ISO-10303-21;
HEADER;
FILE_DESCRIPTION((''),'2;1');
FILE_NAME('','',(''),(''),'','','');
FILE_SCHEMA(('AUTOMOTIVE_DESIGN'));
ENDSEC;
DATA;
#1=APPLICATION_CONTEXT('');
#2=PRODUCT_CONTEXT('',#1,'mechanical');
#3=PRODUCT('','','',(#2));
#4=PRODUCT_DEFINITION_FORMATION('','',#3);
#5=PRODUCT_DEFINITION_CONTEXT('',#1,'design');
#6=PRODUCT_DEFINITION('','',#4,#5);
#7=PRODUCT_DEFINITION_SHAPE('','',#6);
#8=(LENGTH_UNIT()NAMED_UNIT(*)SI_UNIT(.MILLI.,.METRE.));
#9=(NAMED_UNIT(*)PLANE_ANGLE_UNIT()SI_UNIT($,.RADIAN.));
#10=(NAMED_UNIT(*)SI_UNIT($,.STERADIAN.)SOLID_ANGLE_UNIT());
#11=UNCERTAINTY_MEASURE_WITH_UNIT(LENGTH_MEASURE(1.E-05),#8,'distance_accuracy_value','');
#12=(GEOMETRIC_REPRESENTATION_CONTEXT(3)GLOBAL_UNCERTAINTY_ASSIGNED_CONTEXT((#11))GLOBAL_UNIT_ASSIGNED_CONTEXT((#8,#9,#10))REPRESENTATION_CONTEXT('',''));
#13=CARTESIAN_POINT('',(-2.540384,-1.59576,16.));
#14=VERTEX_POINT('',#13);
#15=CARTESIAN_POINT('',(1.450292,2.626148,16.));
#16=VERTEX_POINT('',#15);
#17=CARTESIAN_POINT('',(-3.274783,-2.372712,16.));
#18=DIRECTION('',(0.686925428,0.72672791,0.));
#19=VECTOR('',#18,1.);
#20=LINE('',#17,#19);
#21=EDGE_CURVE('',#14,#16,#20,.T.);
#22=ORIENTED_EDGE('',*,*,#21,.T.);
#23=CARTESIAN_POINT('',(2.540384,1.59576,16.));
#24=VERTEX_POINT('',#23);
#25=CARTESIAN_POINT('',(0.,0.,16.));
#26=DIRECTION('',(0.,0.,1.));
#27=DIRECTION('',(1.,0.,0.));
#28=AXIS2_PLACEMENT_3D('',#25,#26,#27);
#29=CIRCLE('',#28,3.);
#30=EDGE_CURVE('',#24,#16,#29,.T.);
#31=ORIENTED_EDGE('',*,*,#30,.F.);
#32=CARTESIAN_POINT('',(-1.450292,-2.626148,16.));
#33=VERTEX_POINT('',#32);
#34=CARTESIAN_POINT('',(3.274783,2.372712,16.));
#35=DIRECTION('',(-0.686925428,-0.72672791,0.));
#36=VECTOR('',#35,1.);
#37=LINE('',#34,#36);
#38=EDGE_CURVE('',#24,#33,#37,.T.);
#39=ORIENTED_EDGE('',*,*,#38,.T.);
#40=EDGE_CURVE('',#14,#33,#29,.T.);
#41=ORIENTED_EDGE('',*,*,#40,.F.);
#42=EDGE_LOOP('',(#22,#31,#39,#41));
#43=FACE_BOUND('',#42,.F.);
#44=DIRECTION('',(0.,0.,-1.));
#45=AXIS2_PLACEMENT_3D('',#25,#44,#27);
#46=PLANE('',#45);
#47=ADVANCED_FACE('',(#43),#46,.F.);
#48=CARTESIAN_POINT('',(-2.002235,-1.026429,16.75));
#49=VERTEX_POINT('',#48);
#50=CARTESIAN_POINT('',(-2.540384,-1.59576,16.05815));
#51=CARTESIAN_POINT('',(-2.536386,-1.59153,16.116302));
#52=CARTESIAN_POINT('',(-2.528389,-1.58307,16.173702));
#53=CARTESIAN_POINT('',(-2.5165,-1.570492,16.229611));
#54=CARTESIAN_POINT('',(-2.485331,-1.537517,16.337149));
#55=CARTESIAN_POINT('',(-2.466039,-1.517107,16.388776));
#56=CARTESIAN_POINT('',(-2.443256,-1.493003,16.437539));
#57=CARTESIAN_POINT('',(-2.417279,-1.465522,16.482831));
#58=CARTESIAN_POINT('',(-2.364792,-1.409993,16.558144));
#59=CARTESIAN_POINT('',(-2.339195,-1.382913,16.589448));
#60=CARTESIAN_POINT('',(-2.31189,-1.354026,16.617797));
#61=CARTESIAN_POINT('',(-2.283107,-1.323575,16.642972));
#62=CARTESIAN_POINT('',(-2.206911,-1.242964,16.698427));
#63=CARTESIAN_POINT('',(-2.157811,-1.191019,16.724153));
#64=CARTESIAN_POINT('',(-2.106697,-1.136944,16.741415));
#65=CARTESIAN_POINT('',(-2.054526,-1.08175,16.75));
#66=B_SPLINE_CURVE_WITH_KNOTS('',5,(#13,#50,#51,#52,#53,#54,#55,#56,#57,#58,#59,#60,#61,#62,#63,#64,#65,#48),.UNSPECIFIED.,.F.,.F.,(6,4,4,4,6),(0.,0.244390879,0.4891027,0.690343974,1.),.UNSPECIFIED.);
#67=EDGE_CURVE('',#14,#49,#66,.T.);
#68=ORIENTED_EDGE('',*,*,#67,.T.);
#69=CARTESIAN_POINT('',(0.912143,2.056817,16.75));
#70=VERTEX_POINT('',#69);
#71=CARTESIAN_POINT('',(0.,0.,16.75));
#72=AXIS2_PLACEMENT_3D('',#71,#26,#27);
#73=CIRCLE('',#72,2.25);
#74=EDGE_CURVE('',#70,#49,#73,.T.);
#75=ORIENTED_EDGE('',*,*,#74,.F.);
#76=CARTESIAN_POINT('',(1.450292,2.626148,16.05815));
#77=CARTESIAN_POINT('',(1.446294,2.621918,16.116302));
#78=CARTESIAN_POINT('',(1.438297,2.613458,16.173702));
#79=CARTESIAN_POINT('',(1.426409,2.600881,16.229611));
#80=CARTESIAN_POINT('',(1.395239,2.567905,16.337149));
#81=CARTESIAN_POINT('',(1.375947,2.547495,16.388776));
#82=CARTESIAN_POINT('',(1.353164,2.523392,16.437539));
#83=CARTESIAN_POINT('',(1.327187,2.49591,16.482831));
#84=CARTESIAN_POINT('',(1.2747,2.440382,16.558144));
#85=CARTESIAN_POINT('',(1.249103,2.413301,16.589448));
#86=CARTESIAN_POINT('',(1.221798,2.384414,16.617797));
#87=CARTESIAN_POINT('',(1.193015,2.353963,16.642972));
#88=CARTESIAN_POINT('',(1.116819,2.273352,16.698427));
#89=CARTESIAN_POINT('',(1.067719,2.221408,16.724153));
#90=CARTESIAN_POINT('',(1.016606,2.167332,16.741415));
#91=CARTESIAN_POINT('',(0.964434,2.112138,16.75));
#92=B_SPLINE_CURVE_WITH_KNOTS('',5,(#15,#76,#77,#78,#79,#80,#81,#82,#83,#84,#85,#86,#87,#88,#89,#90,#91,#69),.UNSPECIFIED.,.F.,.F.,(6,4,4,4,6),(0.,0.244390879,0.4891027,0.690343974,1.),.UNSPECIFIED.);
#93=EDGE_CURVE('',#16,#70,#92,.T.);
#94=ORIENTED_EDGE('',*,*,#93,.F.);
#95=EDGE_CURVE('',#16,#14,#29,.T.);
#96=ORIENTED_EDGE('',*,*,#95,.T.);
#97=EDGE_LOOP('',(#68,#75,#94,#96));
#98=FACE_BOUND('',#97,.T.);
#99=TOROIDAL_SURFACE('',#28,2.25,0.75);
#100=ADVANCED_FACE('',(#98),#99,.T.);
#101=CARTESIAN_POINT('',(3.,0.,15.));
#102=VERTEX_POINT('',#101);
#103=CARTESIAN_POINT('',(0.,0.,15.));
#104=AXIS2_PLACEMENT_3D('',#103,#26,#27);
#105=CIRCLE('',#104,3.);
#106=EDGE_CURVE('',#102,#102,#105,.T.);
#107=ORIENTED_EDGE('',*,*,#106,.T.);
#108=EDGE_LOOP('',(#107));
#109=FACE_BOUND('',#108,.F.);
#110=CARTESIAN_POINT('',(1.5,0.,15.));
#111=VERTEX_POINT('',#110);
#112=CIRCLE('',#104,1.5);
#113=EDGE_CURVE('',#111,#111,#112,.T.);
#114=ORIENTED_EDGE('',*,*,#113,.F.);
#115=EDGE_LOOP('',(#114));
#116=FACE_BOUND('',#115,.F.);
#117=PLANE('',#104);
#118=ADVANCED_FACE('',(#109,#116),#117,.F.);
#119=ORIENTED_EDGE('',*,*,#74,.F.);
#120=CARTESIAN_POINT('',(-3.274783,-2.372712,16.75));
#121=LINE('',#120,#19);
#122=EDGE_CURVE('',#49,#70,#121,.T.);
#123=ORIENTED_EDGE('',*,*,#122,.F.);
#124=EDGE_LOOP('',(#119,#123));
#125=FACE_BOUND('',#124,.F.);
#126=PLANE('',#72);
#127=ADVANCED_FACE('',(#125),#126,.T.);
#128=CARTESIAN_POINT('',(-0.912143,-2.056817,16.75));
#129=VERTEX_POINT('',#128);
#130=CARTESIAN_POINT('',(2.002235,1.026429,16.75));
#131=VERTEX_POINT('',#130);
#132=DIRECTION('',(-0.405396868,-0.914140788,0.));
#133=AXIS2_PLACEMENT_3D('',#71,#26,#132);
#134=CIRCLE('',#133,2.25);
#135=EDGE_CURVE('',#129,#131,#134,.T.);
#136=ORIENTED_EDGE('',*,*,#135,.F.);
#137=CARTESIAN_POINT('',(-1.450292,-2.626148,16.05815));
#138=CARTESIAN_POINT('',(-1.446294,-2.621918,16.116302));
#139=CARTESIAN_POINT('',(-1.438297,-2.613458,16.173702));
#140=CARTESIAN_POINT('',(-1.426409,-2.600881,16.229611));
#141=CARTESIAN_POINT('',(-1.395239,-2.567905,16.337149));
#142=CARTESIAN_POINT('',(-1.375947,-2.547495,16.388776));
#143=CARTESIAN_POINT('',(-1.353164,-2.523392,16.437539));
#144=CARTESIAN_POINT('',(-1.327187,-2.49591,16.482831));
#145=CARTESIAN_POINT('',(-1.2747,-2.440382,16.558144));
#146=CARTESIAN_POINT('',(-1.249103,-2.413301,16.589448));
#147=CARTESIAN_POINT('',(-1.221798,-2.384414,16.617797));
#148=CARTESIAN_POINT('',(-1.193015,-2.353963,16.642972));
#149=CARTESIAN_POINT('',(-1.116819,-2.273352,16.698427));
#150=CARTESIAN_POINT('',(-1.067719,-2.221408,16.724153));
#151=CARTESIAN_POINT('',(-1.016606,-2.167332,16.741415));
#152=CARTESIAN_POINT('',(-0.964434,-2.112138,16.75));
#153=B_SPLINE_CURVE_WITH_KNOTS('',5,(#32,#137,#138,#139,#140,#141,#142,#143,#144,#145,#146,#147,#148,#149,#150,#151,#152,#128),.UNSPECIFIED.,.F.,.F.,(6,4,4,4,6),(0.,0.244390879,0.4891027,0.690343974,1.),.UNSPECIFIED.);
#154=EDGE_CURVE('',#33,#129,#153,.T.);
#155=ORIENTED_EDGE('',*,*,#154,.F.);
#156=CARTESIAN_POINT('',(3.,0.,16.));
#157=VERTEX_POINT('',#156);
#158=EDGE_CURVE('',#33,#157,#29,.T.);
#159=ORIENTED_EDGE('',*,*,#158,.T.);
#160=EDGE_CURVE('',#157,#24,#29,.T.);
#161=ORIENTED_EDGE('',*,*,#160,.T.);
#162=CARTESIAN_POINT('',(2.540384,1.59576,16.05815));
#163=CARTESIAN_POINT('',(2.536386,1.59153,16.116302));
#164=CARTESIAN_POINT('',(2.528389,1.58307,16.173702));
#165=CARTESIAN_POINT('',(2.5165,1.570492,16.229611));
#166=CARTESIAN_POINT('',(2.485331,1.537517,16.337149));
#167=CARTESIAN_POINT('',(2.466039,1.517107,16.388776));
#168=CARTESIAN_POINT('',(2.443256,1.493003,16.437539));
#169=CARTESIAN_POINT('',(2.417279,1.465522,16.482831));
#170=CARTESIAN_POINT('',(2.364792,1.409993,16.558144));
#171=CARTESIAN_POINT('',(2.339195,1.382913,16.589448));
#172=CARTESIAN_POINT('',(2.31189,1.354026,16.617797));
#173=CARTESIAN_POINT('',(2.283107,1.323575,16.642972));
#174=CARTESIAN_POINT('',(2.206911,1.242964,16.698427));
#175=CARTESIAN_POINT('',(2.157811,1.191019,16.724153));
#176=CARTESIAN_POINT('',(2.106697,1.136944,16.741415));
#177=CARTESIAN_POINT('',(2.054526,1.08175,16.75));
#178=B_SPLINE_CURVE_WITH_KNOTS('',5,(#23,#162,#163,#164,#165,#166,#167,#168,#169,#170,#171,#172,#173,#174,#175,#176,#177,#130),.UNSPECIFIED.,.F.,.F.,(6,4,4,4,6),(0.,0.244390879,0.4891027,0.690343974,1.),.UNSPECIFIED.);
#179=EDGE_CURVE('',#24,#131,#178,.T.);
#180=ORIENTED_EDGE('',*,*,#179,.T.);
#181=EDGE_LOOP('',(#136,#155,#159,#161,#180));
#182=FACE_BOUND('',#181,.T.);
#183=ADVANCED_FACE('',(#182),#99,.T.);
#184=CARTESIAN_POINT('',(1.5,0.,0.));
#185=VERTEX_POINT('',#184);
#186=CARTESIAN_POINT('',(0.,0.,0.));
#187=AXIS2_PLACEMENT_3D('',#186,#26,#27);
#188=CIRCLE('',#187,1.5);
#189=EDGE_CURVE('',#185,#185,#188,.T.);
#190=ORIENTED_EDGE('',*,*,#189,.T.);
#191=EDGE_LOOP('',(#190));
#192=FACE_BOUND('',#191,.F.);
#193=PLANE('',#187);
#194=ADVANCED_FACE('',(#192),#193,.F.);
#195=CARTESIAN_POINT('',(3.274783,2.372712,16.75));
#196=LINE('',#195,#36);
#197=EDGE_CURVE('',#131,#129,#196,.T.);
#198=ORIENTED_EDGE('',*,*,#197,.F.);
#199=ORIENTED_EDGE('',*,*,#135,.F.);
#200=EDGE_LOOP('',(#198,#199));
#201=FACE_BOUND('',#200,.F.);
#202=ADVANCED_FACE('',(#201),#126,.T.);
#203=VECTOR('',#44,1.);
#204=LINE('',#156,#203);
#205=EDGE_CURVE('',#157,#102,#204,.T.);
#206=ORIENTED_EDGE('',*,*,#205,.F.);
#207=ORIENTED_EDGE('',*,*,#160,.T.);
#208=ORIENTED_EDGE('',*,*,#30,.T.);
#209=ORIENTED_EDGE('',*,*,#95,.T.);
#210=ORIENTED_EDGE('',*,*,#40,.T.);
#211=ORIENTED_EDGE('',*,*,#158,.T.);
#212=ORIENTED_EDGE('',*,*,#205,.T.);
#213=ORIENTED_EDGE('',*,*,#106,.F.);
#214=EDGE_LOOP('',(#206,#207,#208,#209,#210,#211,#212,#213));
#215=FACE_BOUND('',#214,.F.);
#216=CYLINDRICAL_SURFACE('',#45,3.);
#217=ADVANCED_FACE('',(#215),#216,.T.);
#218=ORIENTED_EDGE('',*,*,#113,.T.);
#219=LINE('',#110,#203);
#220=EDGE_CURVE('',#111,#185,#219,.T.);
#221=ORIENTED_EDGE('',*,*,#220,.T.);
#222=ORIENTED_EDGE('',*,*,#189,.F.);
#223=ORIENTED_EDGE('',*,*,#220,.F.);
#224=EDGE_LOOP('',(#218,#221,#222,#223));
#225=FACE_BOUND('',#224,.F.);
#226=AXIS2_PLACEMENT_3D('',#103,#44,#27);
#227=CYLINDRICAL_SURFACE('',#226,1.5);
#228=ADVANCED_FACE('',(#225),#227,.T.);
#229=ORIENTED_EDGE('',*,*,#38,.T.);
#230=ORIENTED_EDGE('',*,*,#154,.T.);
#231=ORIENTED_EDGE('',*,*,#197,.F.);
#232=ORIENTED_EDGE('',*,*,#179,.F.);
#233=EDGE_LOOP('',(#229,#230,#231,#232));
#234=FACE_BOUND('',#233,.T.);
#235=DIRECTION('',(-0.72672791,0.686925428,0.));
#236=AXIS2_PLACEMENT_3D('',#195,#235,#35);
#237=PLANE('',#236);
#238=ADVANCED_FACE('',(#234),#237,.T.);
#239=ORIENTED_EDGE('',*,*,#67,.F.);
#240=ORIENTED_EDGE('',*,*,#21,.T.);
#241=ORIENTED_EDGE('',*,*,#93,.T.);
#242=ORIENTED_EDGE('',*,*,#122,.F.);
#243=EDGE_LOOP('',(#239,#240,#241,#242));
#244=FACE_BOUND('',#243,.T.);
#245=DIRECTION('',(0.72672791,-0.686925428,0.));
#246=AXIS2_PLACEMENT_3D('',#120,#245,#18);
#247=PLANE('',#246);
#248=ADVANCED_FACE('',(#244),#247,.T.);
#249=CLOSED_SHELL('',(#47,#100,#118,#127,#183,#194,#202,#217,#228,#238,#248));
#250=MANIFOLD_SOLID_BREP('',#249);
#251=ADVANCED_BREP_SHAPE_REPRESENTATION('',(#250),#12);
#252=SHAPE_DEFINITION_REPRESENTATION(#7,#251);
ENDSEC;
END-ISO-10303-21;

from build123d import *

# Parameters (mm, degrees)
POCKET_DEPTH = 0.75


with BuildPart() as part:
    # Sketch → Revolution (revolve)
    with BuildSketch(Plane.XZ):
        with BuildLine():
            Line((0, 0), (0, 16.75))
            Line((0, 16.75), (2.25, 16.75))
            ThreePointArc((3, 16), (2.78033, 16.53033), (2.25, 16.75))
            Line((3, 16), (3, 15))
            Line((3, 15), (1.5, 15))
            Line((1.5, 15), (1.5, 0))
            Line((1.5, 0), (0, 0))
        make_face()
    revolve(axis=Axis((0, 0, 0), (0, 0, 1)))

    # Sketch001 (on Face5 of Revolution) → Pocket (cut)
    with BuildSketch(Plane(origin=(0, 0, 16.75), x_dir=(-1, 0, 0), z_dir=(0, 0, 1))):
        Polygon((-3.274783, -2.372712), (2.184691, 3.4031), (3.274783, 2.372712), (-2.184691, -3.4031), align=None)
    extrude(amount=-POCKET_DEPTH, mode=Mode.SUBTRACT)


solid = part.part
